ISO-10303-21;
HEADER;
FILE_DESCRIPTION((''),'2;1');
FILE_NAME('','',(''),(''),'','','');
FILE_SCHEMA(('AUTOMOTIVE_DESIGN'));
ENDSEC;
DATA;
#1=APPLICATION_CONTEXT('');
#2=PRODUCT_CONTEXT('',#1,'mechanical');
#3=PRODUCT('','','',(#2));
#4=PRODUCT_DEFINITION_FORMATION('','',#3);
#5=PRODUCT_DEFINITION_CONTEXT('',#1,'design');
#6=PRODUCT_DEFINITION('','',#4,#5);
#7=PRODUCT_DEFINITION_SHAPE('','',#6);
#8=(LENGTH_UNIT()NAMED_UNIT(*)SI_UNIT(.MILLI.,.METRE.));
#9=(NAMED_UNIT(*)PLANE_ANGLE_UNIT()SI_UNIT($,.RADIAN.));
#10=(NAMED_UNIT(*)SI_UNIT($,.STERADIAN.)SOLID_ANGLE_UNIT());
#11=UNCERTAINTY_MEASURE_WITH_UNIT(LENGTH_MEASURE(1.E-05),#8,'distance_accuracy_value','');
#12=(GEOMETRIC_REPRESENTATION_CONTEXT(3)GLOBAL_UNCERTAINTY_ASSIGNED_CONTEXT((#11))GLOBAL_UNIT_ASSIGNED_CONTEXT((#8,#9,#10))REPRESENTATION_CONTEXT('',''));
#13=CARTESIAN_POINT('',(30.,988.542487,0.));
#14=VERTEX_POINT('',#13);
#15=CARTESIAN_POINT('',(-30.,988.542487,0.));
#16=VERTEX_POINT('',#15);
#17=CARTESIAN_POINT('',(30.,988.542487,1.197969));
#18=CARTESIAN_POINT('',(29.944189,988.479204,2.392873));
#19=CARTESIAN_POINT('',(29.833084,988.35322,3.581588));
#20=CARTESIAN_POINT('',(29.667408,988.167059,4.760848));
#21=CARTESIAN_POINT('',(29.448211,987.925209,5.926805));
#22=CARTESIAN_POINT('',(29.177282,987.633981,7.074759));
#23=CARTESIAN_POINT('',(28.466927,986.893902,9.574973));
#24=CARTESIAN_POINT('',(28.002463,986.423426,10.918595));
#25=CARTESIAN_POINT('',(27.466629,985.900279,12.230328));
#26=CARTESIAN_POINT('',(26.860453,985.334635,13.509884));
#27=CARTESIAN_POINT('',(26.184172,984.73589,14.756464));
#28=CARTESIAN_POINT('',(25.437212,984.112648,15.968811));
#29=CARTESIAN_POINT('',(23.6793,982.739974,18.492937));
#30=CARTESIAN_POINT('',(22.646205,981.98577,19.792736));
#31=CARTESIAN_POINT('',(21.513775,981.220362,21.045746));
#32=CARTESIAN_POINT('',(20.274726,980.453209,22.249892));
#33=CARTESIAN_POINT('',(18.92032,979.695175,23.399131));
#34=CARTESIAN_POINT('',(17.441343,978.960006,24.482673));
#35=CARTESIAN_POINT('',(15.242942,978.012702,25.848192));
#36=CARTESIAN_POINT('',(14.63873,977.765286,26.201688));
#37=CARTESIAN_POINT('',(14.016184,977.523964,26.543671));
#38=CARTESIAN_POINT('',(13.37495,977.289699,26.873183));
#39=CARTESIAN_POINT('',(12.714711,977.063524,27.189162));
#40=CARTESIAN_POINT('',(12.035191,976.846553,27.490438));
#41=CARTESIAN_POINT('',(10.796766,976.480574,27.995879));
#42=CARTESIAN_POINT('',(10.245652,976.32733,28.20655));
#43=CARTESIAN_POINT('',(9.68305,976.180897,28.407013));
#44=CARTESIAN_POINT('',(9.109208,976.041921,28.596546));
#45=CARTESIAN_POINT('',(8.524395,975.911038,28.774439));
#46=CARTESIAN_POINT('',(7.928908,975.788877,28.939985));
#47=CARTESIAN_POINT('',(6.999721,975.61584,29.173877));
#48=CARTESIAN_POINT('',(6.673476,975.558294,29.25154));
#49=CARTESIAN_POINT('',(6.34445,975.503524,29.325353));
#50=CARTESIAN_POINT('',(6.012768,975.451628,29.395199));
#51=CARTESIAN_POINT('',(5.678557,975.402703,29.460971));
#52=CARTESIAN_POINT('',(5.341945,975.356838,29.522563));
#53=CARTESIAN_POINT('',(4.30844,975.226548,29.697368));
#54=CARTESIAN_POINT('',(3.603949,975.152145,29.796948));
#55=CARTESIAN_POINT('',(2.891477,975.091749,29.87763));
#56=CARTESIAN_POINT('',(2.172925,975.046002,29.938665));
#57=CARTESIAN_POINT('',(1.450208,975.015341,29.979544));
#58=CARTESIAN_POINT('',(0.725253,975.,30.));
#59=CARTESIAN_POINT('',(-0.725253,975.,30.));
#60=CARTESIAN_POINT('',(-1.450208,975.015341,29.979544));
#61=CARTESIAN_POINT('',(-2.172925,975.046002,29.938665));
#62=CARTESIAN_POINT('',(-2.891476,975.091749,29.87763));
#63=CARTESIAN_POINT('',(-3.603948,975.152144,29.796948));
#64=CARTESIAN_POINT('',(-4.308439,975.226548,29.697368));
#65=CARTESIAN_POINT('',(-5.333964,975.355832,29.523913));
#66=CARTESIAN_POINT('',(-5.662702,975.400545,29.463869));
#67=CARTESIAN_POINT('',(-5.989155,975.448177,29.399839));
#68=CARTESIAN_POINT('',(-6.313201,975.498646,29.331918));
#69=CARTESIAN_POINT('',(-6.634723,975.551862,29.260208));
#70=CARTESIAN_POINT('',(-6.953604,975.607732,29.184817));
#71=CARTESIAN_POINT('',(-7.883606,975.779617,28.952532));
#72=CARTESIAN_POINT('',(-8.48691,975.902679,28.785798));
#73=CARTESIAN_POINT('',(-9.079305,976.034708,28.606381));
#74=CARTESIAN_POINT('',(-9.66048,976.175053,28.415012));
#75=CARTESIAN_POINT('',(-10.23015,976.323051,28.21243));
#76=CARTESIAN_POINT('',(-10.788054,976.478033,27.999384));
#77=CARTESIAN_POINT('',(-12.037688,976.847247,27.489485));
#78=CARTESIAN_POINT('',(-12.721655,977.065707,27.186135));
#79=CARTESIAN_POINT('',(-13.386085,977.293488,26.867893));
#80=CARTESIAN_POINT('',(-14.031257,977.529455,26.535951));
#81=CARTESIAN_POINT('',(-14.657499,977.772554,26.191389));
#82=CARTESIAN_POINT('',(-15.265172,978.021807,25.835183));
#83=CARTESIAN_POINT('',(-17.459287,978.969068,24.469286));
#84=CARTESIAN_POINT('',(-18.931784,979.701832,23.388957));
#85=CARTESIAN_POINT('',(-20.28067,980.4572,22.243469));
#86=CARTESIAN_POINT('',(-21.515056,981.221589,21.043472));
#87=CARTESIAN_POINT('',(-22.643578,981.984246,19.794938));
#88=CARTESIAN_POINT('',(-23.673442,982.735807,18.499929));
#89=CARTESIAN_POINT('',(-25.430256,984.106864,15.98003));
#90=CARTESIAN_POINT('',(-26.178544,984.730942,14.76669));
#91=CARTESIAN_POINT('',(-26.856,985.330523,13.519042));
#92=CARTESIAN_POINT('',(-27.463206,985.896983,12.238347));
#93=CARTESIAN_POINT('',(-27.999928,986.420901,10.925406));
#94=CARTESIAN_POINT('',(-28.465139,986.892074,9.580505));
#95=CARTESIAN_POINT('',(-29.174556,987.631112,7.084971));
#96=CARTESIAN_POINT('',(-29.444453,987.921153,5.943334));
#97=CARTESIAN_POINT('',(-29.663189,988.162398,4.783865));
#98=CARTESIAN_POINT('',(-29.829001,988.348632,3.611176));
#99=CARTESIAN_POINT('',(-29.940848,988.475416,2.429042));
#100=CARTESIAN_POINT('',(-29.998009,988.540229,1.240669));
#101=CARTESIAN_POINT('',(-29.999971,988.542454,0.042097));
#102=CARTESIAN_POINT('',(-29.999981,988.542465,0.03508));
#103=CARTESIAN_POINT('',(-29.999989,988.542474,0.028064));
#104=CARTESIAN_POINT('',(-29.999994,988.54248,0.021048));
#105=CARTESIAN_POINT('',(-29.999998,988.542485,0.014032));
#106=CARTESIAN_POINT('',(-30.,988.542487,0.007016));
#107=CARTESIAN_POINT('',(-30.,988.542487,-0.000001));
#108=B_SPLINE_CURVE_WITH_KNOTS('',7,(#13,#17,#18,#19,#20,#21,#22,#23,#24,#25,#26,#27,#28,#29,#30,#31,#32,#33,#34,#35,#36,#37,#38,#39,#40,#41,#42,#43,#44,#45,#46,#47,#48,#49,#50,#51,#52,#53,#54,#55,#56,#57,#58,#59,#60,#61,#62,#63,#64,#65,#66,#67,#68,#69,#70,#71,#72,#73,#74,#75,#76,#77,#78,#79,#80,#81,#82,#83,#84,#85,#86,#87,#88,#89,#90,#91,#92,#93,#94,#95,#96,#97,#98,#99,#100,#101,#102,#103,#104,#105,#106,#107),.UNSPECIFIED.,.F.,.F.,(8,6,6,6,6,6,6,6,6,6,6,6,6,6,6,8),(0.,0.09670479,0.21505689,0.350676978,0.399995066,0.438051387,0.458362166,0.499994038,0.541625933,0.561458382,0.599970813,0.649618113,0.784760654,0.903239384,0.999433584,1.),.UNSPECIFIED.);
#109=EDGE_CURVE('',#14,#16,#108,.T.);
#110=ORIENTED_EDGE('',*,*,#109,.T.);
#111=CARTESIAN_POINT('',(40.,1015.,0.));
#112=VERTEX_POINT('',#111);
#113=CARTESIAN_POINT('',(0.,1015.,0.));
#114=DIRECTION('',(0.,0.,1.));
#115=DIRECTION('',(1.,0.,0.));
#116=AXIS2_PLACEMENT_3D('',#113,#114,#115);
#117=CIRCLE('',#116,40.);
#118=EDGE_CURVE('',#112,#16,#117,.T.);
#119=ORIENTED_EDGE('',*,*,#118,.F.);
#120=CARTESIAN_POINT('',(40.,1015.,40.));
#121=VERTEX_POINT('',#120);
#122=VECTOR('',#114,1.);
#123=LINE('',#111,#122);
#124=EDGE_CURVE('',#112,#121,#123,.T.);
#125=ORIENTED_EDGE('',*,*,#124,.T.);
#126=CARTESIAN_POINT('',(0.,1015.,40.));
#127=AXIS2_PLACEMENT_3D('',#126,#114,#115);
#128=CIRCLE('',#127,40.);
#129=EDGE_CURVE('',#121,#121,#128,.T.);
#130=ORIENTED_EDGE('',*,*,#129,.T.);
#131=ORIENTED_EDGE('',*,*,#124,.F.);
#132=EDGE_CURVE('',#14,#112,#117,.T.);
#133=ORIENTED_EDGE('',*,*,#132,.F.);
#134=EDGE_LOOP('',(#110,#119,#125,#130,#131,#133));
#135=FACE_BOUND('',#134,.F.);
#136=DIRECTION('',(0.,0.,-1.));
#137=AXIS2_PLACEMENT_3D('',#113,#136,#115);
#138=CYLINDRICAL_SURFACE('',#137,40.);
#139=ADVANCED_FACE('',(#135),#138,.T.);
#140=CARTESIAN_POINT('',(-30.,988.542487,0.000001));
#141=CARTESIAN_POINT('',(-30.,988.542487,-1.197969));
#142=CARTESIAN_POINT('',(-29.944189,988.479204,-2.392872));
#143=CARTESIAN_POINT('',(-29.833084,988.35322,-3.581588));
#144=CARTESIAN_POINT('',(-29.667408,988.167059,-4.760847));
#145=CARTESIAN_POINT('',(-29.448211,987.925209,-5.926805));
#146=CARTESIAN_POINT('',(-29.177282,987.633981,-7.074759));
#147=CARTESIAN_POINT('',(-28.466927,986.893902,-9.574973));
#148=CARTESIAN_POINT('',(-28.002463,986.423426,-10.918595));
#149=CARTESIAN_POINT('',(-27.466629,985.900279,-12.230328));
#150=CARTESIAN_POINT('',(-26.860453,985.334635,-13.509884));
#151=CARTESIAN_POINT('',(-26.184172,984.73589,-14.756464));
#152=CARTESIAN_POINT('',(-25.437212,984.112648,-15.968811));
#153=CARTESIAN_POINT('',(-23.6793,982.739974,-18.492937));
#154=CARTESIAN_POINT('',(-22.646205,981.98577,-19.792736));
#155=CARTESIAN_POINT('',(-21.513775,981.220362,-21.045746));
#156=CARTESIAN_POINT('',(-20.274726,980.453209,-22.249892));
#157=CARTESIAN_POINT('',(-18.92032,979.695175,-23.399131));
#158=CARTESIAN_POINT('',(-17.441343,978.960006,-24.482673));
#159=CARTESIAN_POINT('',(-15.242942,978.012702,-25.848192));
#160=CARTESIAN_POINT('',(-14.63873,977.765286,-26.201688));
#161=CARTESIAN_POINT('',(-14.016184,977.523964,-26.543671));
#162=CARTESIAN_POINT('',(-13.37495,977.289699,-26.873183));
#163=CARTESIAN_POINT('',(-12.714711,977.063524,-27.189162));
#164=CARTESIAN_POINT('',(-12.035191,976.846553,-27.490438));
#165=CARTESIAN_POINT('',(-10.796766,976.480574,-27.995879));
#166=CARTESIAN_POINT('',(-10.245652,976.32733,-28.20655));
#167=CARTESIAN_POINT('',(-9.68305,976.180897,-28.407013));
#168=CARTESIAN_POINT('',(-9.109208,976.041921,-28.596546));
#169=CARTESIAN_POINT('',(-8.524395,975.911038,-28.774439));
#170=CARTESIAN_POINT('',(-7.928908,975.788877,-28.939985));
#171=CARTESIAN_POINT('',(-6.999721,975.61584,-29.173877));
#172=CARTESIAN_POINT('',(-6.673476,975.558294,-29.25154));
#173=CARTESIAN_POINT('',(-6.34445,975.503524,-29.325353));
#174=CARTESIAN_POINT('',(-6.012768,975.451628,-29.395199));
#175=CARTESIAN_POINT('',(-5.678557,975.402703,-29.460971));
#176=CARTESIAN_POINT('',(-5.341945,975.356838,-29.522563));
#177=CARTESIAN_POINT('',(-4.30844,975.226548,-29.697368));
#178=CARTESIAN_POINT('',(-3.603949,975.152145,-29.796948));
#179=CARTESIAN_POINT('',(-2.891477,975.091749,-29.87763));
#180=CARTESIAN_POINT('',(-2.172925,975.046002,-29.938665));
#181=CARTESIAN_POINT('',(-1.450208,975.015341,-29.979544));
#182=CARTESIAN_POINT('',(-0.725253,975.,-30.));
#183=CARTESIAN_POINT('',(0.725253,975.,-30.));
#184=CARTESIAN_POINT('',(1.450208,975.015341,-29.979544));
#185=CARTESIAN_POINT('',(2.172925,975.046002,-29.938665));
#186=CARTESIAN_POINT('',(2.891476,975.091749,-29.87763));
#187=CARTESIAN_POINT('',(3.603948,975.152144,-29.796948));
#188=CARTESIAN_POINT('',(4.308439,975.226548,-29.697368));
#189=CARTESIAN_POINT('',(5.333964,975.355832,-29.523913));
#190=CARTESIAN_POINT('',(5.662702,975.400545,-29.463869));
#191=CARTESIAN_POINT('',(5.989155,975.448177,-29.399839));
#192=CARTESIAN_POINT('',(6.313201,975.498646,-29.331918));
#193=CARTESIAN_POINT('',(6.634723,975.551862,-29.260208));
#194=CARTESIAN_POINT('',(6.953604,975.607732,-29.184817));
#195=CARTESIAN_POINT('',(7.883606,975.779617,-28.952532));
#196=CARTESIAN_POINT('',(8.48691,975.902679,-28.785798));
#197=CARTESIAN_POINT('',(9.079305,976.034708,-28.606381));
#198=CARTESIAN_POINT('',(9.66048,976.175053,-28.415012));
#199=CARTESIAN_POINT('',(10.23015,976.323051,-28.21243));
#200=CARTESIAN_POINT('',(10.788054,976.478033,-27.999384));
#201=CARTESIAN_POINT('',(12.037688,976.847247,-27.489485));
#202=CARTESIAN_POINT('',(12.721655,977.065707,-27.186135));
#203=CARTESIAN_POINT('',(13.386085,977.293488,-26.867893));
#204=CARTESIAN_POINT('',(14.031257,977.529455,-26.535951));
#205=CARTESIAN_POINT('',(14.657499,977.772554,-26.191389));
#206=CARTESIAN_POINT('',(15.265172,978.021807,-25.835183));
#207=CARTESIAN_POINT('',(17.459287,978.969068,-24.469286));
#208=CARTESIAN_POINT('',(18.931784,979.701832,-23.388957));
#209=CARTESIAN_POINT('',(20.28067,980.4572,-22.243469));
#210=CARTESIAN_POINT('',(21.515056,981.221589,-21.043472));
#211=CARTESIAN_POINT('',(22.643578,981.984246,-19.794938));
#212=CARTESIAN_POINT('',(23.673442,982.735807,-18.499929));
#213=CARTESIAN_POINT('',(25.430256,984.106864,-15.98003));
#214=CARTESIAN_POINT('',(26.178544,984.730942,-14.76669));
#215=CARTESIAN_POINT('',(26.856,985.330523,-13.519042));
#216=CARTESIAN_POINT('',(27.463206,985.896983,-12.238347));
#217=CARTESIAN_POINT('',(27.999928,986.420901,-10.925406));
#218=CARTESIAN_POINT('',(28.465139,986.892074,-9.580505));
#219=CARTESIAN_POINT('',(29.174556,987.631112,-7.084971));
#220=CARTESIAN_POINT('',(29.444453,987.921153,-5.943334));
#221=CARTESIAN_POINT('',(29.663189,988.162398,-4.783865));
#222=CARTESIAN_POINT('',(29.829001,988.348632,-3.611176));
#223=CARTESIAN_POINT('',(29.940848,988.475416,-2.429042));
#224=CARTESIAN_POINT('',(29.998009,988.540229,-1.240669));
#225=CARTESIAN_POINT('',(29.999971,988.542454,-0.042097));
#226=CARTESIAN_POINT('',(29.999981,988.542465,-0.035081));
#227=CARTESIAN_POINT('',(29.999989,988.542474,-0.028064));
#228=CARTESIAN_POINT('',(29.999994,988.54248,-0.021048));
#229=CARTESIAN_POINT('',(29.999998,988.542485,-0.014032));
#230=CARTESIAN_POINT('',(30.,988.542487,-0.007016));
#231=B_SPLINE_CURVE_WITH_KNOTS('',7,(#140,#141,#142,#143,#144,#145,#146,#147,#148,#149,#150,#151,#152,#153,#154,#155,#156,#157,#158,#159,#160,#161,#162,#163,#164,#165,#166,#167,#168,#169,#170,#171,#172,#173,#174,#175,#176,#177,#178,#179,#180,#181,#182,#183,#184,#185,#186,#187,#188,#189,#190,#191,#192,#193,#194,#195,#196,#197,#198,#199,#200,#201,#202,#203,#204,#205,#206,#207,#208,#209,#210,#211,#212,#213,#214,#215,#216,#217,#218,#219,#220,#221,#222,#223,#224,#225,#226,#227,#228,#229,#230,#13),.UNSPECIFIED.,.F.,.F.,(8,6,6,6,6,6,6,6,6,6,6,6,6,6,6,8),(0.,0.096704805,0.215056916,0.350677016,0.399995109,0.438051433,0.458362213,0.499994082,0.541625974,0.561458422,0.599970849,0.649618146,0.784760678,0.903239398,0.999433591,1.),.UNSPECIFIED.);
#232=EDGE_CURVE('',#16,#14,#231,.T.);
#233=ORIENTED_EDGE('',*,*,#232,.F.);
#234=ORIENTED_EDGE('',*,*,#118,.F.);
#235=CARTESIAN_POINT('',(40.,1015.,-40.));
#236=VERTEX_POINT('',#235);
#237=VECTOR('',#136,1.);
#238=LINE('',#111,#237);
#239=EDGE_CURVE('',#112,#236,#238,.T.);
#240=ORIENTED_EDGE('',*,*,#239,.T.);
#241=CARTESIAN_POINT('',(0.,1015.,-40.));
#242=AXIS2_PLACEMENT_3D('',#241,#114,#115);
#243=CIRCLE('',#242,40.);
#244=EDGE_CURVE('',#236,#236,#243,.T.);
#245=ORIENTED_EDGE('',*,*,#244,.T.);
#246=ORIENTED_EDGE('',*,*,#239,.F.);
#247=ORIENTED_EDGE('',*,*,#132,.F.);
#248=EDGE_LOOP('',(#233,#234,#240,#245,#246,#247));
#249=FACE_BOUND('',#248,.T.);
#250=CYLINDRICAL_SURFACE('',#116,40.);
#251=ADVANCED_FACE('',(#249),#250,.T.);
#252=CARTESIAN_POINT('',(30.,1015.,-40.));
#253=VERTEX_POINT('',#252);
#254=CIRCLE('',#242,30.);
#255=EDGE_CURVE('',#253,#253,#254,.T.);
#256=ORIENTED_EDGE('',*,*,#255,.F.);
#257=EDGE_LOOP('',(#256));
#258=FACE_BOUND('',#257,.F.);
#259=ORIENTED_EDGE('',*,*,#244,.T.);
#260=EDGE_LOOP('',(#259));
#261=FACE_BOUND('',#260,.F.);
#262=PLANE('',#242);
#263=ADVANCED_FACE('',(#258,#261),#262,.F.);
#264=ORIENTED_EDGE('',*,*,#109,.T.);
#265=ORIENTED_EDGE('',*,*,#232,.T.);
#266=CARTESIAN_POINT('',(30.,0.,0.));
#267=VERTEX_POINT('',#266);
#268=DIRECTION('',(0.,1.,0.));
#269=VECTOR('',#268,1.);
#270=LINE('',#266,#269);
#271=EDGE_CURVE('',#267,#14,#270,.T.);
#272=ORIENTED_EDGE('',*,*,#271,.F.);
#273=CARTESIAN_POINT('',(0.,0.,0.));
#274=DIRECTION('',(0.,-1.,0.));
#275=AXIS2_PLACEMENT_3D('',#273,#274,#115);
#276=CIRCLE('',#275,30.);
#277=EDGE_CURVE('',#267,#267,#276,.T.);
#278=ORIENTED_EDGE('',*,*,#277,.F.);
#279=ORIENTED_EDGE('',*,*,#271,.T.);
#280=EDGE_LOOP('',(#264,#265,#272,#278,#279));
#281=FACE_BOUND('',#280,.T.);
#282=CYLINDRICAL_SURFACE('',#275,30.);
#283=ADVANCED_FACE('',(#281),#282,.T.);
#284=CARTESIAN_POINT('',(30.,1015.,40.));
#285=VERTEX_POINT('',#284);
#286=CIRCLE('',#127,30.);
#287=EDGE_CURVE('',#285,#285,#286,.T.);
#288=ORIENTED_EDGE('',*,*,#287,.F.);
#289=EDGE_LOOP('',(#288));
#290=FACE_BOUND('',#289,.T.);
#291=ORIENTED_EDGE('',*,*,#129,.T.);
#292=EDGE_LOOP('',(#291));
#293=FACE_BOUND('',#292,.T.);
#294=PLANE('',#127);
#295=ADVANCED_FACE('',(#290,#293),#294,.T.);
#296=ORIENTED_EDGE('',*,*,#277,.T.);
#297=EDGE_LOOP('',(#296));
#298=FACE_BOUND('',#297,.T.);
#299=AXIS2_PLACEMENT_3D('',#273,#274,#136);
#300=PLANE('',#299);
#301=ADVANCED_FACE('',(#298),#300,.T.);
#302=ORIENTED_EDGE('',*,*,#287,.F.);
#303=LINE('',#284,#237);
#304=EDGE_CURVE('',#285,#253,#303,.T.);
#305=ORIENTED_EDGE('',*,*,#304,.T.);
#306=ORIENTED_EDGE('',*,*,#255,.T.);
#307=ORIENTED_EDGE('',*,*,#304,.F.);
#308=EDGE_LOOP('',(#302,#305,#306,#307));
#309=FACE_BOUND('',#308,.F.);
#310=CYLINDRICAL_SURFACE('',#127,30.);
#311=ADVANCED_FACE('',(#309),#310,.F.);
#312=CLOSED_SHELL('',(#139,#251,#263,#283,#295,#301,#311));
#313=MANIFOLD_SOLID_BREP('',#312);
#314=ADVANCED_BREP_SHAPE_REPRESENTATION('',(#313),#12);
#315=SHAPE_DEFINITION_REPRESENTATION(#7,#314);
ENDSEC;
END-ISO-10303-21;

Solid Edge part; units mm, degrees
sketch "Sketch1" plane through (0, 0, 0) normal (0, -1, 0) x (1, 0, 0)
  circle A0 centre (0, 0) radius 30
  dimension "D1" = 60
extrude "Protrusion1" add sketch "Sketch1" against normal blind 1015
sketch "Sketch2" plane through (0, 0, 0) normal (0, 0, 1) x (1, 0, 0)
  circle A0 centre (0, 1015) radius 40
extrude "ExtrudedProtrusion_4" add sketch "Sketch2" along normal mid plane 80
sketch "Sketch3" plane through (0, 528, 40) normal (0, 0, 1) x (1, 0, 0)
  circle A0 centre (0, 487) radius 30
extrude "Cutout1" cut sketch "Sketch3" against normal through all
